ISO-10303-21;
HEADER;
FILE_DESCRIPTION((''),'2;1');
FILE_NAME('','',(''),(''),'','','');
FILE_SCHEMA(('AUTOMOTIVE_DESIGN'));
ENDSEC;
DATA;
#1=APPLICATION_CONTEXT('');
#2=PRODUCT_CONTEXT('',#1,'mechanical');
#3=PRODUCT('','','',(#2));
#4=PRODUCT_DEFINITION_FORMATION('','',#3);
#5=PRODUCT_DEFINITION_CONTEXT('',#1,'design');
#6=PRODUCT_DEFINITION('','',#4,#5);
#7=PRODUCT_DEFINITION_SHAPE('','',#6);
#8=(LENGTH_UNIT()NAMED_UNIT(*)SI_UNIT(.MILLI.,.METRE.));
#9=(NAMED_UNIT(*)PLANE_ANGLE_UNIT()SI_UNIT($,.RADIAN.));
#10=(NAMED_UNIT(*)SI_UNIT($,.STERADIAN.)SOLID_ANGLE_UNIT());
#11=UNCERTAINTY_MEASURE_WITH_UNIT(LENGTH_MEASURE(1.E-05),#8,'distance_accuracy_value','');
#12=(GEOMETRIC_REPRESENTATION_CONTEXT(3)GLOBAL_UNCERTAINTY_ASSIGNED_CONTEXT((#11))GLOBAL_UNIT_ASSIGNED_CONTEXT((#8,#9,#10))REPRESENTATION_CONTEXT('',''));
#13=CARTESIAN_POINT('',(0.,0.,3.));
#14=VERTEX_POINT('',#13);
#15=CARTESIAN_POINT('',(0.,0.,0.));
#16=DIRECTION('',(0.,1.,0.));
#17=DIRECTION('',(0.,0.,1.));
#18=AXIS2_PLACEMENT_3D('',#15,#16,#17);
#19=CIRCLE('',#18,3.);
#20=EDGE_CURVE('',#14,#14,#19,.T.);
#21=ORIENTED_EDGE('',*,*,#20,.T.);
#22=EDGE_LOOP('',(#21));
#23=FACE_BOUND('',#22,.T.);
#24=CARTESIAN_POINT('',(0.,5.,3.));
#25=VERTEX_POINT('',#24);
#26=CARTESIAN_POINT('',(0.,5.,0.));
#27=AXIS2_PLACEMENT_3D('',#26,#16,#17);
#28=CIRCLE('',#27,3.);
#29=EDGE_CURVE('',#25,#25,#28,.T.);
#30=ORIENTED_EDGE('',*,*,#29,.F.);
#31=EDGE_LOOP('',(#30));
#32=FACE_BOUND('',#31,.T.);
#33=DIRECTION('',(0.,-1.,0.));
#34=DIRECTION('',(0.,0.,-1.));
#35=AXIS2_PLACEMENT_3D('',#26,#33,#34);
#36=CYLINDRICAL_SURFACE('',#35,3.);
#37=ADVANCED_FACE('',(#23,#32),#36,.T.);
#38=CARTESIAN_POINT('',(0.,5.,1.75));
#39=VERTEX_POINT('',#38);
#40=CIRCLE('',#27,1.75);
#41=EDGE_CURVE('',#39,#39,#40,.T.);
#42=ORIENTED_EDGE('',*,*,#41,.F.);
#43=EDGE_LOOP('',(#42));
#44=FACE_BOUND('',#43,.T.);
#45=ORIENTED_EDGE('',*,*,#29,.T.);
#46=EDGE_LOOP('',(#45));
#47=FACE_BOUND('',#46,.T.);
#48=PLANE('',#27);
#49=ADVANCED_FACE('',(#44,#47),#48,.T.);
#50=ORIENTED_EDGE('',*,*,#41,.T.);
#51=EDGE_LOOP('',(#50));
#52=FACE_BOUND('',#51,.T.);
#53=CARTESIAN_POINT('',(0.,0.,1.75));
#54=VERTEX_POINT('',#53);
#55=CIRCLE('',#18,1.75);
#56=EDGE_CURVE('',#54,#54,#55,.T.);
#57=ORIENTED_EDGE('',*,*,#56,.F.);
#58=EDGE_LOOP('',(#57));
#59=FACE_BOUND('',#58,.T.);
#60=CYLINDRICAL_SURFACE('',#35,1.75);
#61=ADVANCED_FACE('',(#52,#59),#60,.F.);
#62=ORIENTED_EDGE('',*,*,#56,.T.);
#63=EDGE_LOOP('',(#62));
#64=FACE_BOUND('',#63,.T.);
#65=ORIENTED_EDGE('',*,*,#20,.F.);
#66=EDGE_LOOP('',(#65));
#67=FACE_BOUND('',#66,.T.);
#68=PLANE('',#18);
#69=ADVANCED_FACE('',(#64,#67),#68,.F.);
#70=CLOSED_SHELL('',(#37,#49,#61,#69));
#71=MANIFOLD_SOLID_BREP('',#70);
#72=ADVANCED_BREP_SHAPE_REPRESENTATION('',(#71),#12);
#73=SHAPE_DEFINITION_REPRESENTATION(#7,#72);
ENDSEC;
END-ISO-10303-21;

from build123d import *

# Parameters (mm, degrees)
SKETCH_1_R      = 3
SKETCH_1_R_2    = 1.75
EXTRUDE_1_DEPTH = 5


with BuildPart() as part:
    # ｽｹｯﾁ1 → ﾎﾞｽ - 押し出し1 (new body)
    with BuildSketch(Plane(origin=(0, 0, 0), x_dir=(1, 0, 0), z_dir=(0, 1, 0))):
        Circle(SKETCH_1_R)
        Circle(SKETCH_1_R_2, mode=Mode.SUBTRACT)
    extrude(amount=EXTRUDE_1_DEPTH)


solid = part.part
